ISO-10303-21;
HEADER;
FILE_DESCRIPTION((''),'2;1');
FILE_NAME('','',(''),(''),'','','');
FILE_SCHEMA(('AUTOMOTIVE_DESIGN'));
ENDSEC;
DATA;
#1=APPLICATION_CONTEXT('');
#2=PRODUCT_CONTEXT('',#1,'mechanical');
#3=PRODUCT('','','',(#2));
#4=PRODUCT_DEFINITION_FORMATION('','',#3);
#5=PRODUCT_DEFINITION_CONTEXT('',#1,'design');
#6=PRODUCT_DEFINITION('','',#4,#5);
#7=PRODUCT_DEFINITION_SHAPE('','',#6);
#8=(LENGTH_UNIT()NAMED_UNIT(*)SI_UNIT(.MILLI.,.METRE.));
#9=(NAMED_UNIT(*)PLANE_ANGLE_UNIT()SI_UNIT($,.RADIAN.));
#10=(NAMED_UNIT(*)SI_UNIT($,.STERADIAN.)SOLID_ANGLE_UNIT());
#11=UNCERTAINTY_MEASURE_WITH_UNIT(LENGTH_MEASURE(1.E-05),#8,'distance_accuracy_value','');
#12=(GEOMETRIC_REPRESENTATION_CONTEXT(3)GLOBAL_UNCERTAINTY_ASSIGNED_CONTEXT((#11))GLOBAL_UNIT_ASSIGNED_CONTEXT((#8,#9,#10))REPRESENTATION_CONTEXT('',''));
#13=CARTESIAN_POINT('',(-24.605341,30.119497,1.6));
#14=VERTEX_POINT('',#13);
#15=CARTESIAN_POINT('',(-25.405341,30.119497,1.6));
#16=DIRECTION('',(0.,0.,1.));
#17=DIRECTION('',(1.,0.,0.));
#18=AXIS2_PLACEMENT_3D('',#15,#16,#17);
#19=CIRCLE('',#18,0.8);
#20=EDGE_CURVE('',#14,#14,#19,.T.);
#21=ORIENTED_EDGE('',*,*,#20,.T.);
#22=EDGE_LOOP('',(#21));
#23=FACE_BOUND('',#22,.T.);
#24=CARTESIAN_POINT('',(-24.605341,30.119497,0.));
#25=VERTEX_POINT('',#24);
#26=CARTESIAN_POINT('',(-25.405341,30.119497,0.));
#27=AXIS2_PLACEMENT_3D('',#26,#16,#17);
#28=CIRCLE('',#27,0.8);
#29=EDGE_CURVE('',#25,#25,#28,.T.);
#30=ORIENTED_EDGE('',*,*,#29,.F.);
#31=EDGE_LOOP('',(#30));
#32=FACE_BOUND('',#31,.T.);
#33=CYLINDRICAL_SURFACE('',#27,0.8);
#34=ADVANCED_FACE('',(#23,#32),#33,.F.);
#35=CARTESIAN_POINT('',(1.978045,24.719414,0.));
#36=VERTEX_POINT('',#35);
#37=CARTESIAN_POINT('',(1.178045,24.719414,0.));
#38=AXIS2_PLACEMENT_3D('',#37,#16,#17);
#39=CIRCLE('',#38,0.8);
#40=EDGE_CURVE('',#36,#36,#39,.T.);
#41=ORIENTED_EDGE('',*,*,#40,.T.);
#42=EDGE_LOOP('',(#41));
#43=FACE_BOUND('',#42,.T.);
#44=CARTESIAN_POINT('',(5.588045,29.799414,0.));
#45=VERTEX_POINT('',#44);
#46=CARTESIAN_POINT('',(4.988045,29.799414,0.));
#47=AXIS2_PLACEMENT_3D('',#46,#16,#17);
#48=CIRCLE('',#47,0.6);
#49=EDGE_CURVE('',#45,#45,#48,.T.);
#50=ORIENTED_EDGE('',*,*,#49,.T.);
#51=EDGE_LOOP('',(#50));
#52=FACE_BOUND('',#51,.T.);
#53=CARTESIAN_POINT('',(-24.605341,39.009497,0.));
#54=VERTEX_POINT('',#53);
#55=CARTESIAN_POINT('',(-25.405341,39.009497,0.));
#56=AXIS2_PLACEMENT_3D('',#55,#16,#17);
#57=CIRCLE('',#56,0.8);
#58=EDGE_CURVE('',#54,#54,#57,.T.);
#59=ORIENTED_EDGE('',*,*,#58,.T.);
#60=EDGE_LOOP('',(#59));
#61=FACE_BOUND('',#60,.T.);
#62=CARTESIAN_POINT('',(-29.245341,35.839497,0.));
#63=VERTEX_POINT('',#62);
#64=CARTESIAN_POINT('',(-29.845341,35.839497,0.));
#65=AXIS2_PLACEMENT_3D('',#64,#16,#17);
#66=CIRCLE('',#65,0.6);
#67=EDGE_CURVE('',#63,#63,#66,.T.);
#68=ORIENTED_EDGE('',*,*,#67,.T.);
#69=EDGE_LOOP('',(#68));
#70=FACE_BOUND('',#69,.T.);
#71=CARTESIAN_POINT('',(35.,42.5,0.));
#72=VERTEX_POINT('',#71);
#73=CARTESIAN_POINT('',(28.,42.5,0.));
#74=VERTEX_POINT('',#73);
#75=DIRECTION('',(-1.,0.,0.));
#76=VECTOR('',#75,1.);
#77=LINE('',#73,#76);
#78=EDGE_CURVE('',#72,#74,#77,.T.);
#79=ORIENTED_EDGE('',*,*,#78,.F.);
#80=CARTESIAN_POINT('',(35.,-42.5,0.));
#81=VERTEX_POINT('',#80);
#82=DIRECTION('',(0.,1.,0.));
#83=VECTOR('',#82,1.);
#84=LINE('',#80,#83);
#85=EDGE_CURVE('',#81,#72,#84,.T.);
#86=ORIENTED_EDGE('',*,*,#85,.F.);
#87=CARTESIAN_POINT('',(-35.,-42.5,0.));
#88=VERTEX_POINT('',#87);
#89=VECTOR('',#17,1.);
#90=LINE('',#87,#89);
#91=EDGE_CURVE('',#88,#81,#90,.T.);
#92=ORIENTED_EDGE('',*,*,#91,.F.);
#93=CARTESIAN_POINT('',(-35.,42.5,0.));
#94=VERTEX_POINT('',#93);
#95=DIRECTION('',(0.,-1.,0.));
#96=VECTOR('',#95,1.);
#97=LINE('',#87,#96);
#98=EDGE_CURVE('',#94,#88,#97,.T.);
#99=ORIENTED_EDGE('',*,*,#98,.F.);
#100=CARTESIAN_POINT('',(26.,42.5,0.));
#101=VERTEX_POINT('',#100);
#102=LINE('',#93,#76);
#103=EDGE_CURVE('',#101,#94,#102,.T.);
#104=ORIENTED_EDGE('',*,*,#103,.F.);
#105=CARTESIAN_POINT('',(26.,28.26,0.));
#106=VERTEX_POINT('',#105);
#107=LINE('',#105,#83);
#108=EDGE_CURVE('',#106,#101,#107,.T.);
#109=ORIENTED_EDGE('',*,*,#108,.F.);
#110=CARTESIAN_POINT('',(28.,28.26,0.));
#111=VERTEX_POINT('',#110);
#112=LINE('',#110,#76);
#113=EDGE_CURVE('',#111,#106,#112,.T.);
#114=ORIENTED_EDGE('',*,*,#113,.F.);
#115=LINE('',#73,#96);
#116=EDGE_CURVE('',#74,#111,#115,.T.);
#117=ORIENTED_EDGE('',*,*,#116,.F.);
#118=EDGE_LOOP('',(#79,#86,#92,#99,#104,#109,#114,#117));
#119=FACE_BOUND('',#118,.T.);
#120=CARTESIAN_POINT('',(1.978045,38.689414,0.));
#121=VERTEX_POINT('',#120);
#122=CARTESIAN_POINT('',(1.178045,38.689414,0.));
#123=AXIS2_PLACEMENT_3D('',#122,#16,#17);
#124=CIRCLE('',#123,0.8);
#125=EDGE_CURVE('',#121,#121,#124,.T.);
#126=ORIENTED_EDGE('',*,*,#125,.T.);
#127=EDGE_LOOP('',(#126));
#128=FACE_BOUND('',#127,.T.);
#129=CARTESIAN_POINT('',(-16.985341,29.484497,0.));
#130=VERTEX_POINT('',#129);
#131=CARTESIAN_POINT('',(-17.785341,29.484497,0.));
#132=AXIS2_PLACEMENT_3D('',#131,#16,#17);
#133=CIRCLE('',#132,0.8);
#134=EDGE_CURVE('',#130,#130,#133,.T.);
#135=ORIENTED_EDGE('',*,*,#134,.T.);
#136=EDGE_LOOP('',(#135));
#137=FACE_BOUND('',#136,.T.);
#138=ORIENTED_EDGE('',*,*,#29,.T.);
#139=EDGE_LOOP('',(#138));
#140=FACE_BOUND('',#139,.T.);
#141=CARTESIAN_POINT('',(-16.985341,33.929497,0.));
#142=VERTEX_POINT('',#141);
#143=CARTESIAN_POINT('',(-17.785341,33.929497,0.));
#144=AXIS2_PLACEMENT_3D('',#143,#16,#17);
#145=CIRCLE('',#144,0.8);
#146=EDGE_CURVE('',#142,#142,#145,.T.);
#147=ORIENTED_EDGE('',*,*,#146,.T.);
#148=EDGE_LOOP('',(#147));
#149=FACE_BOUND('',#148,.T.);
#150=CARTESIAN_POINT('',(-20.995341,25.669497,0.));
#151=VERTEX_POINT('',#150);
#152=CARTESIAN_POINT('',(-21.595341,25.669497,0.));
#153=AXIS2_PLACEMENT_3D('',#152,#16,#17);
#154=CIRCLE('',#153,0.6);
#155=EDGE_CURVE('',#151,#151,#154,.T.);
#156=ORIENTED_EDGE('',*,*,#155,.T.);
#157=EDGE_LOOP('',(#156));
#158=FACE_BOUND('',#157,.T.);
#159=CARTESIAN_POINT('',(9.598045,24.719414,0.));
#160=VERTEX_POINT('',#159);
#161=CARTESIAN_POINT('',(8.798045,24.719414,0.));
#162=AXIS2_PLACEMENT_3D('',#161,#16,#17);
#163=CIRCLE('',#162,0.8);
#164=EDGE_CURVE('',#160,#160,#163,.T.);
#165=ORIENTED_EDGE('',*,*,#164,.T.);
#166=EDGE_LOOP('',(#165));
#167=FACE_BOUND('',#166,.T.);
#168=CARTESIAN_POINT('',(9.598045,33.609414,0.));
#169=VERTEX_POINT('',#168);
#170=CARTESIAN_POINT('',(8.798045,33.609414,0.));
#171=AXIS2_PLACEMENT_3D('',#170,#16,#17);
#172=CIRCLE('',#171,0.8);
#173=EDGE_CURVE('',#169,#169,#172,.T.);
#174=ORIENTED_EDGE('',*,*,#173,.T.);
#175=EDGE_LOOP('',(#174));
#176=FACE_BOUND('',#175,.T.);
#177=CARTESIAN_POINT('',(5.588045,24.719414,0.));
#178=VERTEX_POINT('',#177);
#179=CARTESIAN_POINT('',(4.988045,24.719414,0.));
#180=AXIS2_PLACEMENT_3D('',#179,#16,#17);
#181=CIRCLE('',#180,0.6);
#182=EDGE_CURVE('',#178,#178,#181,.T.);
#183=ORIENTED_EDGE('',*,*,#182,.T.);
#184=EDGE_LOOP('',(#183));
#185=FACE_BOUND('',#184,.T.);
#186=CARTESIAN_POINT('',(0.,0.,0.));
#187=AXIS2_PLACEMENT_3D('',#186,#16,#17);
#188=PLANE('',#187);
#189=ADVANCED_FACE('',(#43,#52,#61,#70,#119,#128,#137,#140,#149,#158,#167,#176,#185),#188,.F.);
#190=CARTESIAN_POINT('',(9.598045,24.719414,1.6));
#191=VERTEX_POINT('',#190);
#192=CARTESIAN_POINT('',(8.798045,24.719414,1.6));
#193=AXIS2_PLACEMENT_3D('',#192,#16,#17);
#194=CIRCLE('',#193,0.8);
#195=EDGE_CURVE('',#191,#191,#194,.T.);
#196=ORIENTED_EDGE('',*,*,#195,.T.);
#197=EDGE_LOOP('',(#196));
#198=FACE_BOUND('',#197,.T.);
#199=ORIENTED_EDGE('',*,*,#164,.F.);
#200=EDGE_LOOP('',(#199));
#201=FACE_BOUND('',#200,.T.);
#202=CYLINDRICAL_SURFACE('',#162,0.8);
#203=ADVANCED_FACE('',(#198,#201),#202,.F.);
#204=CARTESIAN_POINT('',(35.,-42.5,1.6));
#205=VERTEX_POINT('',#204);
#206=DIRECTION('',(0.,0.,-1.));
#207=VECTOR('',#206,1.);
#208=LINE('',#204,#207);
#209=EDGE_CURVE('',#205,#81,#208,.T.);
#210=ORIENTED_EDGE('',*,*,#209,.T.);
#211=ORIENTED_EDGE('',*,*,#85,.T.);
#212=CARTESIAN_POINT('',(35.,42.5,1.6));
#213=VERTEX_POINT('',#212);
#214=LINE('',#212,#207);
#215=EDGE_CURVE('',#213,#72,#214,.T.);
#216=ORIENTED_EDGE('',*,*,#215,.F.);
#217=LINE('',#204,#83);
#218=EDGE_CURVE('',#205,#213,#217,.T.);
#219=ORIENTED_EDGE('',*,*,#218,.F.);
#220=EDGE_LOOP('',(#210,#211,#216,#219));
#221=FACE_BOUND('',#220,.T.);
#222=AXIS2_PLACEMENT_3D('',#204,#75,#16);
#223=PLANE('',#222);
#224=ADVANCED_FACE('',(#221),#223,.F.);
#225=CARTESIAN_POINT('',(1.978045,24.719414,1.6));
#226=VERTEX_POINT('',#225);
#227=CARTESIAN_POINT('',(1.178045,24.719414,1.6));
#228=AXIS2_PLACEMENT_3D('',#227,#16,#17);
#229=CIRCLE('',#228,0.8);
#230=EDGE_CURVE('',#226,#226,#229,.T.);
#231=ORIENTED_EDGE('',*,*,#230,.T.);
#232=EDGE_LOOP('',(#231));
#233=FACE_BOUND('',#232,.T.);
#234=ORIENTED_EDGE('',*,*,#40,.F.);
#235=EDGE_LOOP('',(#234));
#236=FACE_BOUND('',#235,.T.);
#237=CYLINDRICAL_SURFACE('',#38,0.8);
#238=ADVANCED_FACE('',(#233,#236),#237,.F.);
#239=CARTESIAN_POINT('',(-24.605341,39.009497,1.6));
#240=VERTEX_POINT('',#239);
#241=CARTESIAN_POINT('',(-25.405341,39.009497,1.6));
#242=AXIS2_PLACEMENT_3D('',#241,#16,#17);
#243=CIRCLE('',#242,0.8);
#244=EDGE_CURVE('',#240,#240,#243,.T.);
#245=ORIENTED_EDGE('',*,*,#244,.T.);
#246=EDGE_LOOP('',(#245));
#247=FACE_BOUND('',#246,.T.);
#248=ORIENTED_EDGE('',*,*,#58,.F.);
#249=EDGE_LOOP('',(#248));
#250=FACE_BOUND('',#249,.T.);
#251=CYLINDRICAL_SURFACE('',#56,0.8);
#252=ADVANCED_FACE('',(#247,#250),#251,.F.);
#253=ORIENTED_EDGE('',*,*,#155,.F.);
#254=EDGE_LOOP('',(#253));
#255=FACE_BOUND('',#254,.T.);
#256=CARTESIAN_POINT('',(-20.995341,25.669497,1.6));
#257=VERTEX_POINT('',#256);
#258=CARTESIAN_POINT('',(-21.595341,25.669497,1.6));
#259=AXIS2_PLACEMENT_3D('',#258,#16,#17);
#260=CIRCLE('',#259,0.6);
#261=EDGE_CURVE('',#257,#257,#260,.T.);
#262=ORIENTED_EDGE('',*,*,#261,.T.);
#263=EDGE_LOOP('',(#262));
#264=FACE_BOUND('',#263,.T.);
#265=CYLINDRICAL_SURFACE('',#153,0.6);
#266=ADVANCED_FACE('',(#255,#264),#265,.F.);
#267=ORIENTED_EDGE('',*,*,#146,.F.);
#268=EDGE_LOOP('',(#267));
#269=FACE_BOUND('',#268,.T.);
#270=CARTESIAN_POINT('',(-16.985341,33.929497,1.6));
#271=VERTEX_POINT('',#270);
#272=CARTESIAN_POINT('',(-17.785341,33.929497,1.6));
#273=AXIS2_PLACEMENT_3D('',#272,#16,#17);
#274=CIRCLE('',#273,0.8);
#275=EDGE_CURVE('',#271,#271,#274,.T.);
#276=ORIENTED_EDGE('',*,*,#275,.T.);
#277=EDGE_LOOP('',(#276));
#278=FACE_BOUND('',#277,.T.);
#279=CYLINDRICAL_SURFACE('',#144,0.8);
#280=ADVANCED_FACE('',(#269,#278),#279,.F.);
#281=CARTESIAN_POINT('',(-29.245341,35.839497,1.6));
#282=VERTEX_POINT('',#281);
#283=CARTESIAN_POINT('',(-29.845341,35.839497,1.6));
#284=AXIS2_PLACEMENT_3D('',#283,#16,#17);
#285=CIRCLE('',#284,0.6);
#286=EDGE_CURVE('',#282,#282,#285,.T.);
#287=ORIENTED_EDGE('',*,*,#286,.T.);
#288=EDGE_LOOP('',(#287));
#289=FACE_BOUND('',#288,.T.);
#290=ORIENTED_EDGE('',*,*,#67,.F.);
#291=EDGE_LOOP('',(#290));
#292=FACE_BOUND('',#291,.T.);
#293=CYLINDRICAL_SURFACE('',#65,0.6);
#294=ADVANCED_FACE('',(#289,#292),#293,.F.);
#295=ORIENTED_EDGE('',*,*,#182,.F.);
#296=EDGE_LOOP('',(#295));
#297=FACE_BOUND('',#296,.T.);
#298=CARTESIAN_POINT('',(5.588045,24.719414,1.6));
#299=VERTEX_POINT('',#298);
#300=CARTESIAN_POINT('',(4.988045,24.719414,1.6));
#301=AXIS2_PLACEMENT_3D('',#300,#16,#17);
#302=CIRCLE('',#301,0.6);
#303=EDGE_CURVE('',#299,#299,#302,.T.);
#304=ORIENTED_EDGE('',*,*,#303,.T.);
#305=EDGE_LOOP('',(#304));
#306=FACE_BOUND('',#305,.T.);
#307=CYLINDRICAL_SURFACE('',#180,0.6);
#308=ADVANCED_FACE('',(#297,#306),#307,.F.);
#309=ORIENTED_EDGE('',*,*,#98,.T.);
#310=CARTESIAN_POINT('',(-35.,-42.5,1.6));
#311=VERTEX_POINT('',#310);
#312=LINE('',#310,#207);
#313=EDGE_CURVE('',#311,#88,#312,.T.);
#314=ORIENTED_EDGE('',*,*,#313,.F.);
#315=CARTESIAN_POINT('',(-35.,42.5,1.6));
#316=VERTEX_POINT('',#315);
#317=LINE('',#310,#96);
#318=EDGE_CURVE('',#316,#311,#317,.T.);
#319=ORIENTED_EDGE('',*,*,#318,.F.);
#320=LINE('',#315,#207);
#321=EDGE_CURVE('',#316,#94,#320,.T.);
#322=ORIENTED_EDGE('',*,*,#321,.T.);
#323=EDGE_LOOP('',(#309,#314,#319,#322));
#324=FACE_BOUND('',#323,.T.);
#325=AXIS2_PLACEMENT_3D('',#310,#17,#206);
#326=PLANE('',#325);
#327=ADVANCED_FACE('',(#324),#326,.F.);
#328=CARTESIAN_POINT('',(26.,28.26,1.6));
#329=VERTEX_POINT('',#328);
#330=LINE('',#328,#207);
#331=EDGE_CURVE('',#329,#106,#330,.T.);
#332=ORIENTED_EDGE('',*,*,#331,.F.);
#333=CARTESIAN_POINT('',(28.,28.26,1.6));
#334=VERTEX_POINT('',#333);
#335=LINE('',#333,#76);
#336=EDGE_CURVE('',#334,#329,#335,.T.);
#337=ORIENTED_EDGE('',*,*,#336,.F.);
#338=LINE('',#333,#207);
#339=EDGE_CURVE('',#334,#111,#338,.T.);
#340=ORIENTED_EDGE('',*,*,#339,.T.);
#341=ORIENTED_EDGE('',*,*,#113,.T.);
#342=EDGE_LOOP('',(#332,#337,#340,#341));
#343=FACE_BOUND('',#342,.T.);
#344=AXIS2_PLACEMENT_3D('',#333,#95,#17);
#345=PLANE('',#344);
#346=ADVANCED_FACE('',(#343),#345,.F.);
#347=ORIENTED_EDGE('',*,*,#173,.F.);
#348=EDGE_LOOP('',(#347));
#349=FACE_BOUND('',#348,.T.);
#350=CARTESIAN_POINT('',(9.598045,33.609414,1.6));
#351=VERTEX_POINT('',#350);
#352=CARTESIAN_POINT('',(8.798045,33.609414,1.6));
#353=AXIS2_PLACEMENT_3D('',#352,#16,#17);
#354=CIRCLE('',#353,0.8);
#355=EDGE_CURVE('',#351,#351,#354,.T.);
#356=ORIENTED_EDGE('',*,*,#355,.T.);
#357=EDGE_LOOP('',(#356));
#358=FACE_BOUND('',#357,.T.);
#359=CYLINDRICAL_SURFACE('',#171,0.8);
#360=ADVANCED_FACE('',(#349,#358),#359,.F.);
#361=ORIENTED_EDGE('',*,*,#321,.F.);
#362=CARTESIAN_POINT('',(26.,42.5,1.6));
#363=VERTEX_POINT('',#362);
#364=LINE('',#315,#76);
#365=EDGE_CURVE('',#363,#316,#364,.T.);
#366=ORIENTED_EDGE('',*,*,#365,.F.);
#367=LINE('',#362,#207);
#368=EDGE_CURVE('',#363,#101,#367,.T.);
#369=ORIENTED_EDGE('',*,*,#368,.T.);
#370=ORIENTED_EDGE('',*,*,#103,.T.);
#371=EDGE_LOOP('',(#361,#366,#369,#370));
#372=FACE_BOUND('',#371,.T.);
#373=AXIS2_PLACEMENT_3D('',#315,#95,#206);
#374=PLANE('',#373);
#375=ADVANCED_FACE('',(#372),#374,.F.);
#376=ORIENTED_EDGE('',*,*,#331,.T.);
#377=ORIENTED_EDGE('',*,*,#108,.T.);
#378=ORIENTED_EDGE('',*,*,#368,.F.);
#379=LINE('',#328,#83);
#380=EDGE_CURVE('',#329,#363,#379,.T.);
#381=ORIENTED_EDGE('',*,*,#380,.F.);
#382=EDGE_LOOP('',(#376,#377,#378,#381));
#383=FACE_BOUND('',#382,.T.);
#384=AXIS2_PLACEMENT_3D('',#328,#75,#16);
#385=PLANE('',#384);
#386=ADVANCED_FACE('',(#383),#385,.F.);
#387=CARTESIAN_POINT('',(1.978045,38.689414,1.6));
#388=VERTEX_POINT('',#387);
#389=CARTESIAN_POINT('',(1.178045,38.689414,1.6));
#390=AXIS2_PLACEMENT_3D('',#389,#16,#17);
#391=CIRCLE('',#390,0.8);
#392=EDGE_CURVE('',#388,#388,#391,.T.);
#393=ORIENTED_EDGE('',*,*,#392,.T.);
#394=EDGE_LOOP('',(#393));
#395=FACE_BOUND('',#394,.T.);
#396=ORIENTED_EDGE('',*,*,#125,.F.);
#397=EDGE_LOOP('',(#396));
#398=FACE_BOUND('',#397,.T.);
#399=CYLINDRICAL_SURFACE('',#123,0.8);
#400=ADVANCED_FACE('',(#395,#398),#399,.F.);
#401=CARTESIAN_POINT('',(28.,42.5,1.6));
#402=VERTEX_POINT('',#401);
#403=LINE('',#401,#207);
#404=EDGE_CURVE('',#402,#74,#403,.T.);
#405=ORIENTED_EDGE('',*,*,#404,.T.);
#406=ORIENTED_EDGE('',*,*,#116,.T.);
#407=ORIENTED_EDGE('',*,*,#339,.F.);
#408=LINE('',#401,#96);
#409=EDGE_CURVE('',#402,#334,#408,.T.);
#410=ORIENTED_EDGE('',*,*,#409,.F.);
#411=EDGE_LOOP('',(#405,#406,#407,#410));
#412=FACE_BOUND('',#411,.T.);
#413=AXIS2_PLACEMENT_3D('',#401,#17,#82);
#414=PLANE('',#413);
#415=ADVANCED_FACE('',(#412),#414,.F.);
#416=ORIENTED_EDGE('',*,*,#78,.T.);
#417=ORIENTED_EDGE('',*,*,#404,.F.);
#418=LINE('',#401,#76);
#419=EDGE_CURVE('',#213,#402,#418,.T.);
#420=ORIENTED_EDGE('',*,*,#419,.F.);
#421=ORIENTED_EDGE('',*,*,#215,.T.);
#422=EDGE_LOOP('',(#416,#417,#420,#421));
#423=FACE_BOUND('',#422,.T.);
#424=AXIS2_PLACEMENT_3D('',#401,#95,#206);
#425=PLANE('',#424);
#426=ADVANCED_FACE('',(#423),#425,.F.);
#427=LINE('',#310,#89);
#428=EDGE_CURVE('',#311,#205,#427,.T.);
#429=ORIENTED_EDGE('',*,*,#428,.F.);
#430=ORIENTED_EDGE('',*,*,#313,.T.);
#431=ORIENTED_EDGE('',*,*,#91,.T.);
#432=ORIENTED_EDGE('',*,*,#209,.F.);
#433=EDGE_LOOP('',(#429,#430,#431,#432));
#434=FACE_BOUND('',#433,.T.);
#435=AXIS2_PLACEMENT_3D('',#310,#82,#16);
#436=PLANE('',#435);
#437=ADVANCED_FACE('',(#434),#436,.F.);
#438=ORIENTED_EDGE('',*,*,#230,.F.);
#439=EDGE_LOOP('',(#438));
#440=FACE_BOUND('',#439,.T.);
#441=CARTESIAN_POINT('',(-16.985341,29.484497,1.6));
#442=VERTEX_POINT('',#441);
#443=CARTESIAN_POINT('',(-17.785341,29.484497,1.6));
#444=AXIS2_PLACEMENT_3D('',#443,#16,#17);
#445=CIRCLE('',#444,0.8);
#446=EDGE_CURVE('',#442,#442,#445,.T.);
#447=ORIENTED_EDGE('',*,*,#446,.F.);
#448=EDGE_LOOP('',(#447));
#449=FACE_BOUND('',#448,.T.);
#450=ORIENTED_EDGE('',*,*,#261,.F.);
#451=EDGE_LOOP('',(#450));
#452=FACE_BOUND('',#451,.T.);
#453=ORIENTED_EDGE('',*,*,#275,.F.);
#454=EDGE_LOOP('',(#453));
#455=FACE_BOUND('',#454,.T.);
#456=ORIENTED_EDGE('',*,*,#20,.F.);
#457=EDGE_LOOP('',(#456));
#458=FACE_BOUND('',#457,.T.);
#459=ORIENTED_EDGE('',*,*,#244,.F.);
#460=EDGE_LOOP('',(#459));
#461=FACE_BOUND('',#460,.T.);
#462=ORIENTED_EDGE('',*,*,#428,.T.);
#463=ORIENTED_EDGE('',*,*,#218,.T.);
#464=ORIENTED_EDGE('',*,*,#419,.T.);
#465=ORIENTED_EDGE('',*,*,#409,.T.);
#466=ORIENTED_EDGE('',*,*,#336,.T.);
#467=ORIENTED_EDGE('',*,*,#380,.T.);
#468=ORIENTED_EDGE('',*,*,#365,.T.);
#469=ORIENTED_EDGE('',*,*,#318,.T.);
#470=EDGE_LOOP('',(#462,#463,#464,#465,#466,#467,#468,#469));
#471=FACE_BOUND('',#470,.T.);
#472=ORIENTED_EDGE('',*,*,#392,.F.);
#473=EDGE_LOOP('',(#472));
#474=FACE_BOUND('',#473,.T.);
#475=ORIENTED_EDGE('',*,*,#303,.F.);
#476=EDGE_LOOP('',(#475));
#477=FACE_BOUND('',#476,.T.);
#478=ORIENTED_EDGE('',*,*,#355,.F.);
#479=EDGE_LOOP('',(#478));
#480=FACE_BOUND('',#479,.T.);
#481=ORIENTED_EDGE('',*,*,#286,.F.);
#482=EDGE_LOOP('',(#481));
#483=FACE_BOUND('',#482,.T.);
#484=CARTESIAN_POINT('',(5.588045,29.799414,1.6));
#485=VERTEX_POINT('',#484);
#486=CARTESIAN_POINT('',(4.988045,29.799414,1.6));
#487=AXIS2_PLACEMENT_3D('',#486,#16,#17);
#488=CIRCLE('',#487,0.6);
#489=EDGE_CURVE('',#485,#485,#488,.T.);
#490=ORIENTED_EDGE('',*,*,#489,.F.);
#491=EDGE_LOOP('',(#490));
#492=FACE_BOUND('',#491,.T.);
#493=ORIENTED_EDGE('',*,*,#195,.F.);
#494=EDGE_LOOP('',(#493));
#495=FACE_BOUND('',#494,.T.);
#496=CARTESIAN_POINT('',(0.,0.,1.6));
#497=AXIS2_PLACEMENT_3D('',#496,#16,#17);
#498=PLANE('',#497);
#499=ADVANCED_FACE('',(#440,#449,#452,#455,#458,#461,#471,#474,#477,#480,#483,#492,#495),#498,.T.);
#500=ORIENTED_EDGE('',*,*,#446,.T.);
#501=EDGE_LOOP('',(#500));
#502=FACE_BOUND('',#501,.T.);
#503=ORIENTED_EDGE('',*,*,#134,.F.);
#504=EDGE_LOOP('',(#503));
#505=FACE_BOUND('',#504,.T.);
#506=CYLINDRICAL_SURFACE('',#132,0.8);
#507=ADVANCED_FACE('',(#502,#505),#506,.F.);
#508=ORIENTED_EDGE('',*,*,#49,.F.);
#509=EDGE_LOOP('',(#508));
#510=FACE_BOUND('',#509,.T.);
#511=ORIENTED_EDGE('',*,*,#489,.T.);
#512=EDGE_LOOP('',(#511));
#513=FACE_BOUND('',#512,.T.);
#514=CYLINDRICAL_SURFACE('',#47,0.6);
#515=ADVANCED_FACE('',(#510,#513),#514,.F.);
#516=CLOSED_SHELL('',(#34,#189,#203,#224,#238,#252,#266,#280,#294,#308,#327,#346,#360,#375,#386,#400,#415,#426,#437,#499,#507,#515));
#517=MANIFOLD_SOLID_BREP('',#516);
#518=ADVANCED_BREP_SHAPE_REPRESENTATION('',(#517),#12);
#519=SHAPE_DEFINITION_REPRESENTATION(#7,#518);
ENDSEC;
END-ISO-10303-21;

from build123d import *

# Parameters (mm, degrees)
BOSS_EXTRUDE1_DEPTH = 1.6
SKETCH2_R           = 0.6
SKETCH2_R_2         = 0.8
CUT_EXTRUDE1_DEPTH  = 56.08003268


with BuildPart() as part:
    # Sketch1 → Boss-Extrude1 (new body)
    with BuildSketch(Plane.XY):
        Polygon((28, 42.5), (28, 28.26), (26, 28.26), (26, 42.5), (-35, 42.5), (-35, -42.5), (35, -42.5), (35, 42.5), align=None)
    extrude(amount=BOSS_EXTRUDE1_DEPTH)

    # Sketch2 → Cut-Extrude1 (cut, through all)
    with BuildSketch(Plane.XY.offset(1.6)):
        with Locations((-21.595341155, 25.669496774)):
            Circle(SKETCH2_R)
        with Locations((-17.785341155, 29.484496774)):
            Circle(SKETCH2_R_2)
        with Locations((-25.405341155, 30.119496774)):
            Circle(SKETCH2_R_2)
        with Locations((-17.785341155, 33.929496774)):
            Circle(SKETCH2_R_2)
        with Locations((-25.405341155, 39.009496774)):
            Circle(SKETCH2_R_2)
        with Locations((-29.845341155, 35.839496774)):
            Circle(SKETCH2_R)
        with Locations((4.98804487, 24.719413951)):
            Circle(SKETCH2_R)
        with Locations((8.79804487, 24.719413951)):
            Circle(SKETCH2_R_2)
        with Locations((1.17804487, 24.719413951)):
            Circle(SKETCH2_R_2)
        with Locations((4.98804487, 29.799413951)):
            Circle(SKETCH2_R)
        with Locations((8.79804487, 33.609413951)):
            Circle(SKETCH2_R_2)
        with Locations((1.17804487, 38.689413951)):
            Circle(SKETCH2_R_2)
    extrude(amount=-CUT_EXTRUDE1_DEPTH, mode=Mode.SUBTRACT)


solid = part.part
